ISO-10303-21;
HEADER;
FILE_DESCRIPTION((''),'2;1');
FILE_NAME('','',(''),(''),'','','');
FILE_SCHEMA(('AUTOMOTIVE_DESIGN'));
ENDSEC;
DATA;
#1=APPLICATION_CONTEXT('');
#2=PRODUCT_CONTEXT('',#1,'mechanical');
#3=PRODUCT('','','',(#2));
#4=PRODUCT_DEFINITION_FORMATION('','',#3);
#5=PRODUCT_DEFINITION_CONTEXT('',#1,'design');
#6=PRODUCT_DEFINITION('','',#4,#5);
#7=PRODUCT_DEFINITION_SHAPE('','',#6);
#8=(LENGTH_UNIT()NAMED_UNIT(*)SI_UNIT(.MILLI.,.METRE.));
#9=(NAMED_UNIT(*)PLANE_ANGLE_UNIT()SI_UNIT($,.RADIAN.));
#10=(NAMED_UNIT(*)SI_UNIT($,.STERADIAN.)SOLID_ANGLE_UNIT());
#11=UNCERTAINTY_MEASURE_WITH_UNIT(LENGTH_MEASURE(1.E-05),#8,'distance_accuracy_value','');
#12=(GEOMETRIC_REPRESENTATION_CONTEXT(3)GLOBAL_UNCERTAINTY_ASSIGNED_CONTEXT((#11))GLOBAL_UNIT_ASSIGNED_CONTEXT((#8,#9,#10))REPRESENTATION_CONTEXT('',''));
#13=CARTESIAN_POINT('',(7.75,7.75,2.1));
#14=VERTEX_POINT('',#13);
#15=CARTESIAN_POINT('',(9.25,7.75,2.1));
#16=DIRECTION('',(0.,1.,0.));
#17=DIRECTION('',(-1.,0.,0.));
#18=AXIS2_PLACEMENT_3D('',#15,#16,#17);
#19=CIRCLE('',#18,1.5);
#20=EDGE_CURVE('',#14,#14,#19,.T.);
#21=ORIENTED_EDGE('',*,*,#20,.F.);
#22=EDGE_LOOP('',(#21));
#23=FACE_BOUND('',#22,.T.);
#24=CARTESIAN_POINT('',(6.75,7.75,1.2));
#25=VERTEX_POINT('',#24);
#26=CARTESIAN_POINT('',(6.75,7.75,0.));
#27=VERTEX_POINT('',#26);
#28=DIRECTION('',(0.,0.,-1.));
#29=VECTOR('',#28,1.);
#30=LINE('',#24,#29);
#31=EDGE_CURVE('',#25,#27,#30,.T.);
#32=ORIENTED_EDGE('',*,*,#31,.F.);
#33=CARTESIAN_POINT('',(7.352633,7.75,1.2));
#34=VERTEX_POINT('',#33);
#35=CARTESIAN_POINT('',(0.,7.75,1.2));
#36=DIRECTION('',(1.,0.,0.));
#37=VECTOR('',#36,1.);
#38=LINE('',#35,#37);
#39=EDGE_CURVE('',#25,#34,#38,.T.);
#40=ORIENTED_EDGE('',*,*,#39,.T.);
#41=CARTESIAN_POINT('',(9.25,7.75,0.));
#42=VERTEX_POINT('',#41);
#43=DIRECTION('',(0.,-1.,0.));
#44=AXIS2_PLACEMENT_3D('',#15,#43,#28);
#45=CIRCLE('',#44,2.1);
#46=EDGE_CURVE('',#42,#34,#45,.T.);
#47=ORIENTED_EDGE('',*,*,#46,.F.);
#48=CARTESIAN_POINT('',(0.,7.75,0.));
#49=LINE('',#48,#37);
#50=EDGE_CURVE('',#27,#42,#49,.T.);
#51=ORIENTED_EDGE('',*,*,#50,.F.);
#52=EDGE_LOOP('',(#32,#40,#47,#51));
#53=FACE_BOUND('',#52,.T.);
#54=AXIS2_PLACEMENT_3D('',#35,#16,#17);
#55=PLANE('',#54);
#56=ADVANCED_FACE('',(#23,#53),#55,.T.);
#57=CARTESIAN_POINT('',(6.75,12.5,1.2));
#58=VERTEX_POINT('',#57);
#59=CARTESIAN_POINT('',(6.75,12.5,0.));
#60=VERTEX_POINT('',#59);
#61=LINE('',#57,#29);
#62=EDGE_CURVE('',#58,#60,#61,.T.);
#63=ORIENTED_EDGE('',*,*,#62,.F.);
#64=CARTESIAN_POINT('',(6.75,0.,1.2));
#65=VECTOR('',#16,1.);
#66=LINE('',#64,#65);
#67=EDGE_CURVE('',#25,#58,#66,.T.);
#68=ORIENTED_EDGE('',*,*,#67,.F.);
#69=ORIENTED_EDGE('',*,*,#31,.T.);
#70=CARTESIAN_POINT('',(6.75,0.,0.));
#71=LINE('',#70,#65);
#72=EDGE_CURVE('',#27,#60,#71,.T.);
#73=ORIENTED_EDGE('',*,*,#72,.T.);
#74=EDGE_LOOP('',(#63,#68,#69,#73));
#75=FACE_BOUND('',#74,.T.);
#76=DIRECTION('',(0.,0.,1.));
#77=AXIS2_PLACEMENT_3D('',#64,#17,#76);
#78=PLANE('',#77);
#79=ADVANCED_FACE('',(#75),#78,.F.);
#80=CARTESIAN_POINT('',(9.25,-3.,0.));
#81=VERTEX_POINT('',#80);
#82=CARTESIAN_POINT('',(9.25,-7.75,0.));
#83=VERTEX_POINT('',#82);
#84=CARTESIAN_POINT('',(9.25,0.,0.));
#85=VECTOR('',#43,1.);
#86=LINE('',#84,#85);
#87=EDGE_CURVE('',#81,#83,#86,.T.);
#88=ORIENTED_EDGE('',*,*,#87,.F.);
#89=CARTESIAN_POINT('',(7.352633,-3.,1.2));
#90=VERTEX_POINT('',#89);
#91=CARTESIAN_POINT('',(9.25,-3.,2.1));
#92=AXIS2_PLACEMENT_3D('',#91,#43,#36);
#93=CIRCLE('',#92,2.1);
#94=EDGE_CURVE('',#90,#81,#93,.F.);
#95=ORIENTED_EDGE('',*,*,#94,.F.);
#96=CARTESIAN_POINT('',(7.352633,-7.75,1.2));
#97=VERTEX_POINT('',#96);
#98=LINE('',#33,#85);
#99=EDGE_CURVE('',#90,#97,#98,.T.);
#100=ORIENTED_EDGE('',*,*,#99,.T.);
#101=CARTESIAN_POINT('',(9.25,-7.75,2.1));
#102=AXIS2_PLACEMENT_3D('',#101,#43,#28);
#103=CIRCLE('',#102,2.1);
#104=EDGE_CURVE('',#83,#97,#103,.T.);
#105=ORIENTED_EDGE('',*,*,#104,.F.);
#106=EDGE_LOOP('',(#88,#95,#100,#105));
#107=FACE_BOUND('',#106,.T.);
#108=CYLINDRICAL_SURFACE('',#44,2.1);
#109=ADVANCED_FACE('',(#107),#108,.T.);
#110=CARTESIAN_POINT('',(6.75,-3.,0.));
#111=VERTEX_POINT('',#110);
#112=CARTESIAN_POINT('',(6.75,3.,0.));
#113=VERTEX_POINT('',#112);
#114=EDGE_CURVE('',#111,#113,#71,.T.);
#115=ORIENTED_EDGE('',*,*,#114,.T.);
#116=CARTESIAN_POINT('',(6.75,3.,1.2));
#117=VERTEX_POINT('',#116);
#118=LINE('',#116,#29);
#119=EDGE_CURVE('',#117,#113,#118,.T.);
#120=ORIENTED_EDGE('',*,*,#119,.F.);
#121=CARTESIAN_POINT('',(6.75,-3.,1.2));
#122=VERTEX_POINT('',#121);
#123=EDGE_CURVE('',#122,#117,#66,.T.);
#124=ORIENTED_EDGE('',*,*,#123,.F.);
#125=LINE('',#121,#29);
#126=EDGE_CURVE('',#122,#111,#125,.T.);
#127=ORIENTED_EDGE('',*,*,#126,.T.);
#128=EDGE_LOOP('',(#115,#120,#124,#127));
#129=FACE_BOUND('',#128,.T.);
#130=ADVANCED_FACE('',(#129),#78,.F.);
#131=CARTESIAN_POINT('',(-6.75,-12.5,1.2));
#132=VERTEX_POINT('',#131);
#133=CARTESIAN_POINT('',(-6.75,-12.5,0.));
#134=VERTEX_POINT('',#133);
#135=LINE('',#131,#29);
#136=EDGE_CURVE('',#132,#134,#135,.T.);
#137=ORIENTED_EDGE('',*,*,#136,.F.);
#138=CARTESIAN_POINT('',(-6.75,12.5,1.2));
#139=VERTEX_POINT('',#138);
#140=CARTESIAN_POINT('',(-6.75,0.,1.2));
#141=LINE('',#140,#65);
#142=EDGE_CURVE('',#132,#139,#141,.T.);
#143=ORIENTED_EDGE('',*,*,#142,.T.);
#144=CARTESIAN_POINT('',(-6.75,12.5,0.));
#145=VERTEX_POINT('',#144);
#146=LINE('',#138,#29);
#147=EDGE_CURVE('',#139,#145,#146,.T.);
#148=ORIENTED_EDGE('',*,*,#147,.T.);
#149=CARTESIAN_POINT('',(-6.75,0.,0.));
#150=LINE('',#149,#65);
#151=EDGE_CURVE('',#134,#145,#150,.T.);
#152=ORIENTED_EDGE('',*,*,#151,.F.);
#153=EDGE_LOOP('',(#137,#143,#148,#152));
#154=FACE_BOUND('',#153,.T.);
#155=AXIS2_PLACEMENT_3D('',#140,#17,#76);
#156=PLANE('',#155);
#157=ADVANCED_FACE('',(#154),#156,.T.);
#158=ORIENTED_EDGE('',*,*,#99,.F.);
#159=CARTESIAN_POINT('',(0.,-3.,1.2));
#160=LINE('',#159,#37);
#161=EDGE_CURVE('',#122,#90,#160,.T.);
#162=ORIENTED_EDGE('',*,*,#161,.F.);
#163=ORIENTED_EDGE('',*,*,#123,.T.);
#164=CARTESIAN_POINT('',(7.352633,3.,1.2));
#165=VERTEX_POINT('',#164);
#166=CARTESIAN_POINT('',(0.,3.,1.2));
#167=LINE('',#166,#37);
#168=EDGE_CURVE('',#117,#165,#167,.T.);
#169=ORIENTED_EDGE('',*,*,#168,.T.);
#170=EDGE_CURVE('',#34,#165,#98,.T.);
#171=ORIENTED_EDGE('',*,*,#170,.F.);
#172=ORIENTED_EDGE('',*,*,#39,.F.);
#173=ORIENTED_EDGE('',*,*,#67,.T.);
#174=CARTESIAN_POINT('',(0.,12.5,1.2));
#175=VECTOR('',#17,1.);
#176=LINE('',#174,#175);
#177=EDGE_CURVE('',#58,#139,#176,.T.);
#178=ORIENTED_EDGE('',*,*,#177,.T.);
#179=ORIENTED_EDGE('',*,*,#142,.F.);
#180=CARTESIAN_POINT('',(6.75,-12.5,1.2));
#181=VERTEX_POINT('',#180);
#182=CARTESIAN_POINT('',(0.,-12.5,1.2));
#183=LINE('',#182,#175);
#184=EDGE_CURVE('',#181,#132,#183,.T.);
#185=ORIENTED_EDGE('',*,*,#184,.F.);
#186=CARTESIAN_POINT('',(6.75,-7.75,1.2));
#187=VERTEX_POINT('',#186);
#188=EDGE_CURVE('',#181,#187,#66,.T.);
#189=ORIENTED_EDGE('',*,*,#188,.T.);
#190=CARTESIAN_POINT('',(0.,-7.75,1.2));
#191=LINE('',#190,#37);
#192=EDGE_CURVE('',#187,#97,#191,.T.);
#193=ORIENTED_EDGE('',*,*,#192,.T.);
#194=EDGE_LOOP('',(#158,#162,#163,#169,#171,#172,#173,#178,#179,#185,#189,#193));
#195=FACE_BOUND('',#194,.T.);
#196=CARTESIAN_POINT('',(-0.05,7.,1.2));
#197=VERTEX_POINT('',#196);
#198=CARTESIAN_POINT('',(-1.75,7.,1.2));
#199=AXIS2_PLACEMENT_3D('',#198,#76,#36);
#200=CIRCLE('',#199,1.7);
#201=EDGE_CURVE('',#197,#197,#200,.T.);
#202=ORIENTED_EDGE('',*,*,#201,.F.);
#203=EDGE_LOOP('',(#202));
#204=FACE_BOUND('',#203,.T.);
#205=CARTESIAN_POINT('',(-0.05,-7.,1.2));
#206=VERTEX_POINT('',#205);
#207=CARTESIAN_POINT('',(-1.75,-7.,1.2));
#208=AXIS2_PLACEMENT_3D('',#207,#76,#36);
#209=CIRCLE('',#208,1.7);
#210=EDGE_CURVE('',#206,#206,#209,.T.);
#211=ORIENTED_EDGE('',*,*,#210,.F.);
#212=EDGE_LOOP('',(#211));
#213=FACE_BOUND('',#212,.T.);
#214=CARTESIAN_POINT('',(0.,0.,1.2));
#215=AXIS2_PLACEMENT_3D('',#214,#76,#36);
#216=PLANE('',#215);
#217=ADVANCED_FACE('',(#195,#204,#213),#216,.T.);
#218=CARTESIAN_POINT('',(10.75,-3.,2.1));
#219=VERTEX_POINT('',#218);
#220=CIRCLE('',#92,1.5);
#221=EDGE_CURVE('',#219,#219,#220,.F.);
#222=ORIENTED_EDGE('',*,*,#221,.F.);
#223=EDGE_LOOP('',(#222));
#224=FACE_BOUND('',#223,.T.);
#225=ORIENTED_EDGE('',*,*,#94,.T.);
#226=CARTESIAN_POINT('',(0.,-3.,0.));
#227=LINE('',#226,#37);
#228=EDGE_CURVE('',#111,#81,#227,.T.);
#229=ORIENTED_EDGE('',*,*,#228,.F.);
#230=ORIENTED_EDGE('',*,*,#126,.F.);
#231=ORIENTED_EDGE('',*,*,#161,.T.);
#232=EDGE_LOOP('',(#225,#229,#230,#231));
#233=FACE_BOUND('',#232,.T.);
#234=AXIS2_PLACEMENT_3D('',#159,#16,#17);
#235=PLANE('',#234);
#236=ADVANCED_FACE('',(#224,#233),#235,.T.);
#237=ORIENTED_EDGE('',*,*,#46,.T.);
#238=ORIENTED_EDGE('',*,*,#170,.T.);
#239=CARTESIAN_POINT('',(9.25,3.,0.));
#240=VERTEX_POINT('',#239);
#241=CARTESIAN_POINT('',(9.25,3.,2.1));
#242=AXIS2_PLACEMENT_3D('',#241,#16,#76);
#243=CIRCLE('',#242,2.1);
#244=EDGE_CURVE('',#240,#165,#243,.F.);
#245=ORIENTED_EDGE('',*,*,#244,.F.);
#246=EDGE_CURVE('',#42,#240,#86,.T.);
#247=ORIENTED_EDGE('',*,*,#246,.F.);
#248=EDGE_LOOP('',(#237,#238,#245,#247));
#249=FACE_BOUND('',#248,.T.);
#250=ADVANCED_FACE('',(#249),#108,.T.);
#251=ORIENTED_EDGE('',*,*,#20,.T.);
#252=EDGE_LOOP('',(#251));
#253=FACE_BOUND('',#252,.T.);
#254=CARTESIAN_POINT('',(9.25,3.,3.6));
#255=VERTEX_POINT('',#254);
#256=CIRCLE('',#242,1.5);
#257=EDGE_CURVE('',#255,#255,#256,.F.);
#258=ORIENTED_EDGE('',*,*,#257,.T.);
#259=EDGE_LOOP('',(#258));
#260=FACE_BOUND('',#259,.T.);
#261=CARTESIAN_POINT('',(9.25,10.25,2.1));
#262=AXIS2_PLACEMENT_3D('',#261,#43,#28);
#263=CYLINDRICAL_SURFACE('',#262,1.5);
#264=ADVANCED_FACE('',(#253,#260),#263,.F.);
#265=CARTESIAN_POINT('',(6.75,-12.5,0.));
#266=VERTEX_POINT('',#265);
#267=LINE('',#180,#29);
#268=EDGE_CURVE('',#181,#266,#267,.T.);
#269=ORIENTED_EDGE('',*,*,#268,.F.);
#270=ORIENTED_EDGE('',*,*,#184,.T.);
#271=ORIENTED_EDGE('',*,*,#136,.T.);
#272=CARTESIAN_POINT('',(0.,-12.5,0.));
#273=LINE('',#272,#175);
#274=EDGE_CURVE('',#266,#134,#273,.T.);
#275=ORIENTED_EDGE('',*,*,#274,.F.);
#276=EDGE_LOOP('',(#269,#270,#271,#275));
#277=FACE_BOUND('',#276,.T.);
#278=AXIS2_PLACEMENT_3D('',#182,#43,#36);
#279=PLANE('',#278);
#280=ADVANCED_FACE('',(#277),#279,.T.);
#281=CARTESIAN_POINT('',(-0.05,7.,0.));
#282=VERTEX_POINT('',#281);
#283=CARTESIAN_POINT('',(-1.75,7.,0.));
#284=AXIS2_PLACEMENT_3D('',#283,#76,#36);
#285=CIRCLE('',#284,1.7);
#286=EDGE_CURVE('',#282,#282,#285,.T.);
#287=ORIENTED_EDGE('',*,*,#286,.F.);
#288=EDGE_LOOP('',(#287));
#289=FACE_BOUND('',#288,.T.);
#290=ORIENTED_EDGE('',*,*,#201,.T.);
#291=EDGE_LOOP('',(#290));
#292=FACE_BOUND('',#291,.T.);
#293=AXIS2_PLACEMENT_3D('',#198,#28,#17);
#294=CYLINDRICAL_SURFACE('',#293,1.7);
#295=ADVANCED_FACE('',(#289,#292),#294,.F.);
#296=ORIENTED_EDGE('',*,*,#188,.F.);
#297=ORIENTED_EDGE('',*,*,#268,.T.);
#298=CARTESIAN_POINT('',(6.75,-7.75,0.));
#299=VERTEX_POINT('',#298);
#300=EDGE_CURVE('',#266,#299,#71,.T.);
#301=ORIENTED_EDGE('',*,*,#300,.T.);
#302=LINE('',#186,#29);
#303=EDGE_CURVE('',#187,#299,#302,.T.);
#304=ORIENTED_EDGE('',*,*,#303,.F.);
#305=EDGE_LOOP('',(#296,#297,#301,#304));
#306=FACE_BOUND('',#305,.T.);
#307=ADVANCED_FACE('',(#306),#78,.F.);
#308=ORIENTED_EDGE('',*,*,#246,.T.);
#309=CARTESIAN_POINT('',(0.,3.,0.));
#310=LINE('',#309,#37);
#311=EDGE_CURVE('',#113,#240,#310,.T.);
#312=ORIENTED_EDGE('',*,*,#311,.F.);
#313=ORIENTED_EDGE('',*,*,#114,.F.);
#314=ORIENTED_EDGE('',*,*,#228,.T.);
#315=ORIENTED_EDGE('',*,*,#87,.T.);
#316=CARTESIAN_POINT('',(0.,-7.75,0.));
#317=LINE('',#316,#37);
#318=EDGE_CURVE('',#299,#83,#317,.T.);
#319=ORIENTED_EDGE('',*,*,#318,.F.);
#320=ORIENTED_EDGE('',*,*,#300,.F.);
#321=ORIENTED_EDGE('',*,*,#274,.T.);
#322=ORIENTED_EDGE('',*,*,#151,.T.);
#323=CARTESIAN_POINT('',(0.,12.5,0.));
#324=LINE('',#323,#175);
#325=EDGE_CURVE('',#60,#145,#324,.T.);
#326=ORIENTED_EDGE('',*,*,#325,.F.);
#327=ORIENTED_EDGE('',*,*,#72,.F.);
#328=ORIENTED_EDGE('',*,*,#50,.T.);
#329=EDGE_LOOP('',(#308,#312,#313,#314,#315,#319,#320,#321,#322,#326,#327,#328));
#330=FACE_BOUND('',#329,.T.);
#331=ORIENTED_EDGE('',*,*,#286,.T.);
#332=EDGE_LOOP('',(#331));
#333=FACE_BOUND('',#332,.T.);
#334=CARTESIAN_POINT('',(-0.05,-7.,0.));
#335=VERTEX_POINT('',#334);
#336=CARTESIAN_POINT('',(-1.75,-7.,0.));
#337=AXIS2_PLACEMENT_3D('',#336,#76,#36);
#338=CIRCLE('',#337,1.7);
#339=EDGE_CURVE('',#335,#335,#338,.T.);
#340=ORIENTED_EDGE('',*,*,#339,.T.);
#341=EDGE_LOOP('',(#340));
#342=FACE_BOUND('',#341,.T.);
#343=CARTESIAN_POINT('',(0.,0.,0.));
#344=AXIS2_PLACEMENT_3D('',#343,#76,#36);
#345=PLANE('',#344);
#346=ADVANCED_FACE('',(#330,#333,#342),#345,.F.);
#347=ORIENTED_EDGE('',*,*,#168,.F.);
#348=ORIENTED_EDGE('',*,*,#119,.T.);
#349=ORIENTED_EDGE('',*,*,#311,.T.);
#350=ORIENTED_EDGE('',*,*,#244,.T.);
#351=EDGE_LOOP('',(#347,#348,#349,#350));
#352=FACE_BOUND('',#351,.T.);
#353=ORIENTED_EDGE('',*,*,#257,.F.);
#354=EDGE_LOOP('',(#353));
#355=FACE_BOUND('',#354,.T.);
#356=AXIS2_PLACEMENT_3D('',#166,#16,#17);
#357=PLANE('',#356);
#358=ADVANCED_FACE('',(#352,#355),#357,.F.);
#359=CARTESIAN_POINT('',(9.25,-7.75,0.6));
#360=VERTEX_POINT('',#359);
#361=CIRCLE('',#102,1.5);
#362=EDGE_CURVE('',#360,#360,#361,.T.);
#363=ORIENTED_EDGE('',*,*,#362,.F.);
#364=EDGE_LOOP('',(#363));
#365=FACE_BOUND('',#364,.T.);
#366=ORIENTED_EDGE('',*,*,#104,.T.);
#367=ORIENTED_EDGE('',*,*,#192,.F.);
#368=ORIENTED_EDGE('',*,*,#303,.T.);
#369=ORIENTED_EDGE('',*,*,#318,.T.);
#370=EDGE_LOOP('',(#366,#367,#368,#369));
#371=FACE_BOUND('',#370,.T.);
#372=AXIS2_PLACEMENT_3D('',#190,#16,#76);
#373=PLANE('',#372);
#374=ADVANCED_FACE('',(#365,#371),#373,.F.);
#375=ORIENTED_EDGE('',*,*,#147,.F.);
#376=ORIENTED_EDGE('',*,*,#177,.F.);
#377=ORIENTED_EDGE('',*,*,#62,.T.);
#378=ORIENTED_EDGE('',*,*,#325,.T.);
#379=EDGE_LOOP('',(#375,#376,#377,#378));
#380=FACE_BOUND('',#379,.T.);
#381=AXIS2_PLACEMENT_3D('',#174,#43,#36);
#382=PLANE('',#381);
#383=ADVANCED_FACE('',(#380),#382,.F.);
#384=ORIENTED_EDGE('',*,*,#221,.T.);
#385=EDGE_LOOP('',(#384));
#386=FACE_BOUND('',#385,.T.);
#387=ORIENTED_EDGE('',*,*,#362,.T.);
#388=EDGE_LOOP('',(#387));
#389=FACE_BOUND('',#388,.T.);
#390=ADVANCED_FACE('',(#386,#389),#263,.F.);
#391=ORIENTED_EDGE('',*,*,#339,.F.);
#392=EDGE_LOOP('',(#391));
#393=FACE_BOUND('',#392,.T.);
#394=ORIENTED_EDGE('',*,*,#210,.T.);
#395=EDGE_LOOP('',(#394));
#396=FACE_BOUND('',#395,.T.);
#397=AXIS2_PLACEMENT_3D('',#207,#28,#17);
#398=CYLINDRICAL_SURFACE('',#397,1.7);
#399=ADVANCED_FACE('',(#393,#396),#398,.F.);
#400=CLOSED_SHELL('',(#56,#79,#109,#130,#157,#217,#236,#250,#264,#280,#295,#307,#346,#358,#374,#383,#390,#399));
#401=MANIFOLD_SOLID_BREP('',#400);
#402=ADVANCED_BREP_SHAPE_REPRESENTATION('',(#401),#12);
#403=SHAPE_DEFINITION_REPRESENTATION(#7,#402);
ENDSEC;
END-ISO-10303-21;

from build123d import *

# Parameters (mm, degrees)
SKETCH_1_W          = 13.5
SKETCH_1_H          = 25
SKETCH_1_R          = 1.7
SKETCH_1_W_2        = 2.5
SKETCH_1_H_2        = 4.75
EXTRUDE_1_DEPTH     = 1.2
SKETCH_2_R          = 2.1
EXTRUDE_2_DEPTH     = 15.5
SKETCH_3_R          = 1.5
CUT_EXTRUDE_1_DEPTH = 18
SKETCH_4_W          = 4.6
SKETCH_4_H          = 6
CUT_EXTRUDE_2_DEPTH = 5


with BuildPart() as part:
    # 草图1 → 凸台-拉伸1 (new body)
    # profile 1 of 3: a face of its own
    with BuildSketch(Plane.XY):
        Rectangle(SKETCH_1_W, SKETCH_1_H)
        with Locations((-1.75, -7)):
            Circle(SKETCH_1_R, mode=Mode.SUBTRACT)
        with Locations((-1.75, 7)):
            Circle(SKETCH_1_R, mode=Mode.SUBTRACT)
    # profile 2 of 3: a face of its own
    with BuildSketch(Plane.XY):
        with Locations((8, 5.375)):
            Rectangle(SKETCH_1_W_2, SKETCH_1_H_2)
    # profile 3 of 3: a face of its own
    with BuildSketch(Plane.XY):
        with Locations((8, -5.375)):
            Rectangle(SKETCH_1_W_2, SKETCH_1_H_2)
    extrude(amount=EXTRUDE_1_DEPTH)

    # 草图2 → 凸台-拉伸2 (add)
    with BuildSketch(Plane.XZ.offset(7.75)):
        with Locations(Location((9.25, 2.1, 0), (0, 0, 270))):
            Circle(SKETCH_2_R)
    extrude(amount=-EXTRUDE_2_DEPTH)

    # 草图3 → 切除-拉伸1 (cut)
    with BuildSketch(Plane.XZ.offset(7.75)):
        with Locations(Location((9.25, 2.1, 0), (0, 0, 270))):
            Circle(SKETCH_3_R)
    extrude(amount=-CUT_EXTRUDE_1_DEPTH, mode=Mode.SUBTRACT)

    # 草图4 → 切除-拉伸2 (cut, symmetric)
    with BuildSketch(Plane.XY.offset(1.2)):
        with Locations((9.05, 0)):
            Rectangle(SKETCH_4_W, SKETCH_4_H)
    extrude(amount=CUT_EXTRUDE_2_DEPTH, both=True, mode=Mode.SUBTRACT)


solid = part.part
